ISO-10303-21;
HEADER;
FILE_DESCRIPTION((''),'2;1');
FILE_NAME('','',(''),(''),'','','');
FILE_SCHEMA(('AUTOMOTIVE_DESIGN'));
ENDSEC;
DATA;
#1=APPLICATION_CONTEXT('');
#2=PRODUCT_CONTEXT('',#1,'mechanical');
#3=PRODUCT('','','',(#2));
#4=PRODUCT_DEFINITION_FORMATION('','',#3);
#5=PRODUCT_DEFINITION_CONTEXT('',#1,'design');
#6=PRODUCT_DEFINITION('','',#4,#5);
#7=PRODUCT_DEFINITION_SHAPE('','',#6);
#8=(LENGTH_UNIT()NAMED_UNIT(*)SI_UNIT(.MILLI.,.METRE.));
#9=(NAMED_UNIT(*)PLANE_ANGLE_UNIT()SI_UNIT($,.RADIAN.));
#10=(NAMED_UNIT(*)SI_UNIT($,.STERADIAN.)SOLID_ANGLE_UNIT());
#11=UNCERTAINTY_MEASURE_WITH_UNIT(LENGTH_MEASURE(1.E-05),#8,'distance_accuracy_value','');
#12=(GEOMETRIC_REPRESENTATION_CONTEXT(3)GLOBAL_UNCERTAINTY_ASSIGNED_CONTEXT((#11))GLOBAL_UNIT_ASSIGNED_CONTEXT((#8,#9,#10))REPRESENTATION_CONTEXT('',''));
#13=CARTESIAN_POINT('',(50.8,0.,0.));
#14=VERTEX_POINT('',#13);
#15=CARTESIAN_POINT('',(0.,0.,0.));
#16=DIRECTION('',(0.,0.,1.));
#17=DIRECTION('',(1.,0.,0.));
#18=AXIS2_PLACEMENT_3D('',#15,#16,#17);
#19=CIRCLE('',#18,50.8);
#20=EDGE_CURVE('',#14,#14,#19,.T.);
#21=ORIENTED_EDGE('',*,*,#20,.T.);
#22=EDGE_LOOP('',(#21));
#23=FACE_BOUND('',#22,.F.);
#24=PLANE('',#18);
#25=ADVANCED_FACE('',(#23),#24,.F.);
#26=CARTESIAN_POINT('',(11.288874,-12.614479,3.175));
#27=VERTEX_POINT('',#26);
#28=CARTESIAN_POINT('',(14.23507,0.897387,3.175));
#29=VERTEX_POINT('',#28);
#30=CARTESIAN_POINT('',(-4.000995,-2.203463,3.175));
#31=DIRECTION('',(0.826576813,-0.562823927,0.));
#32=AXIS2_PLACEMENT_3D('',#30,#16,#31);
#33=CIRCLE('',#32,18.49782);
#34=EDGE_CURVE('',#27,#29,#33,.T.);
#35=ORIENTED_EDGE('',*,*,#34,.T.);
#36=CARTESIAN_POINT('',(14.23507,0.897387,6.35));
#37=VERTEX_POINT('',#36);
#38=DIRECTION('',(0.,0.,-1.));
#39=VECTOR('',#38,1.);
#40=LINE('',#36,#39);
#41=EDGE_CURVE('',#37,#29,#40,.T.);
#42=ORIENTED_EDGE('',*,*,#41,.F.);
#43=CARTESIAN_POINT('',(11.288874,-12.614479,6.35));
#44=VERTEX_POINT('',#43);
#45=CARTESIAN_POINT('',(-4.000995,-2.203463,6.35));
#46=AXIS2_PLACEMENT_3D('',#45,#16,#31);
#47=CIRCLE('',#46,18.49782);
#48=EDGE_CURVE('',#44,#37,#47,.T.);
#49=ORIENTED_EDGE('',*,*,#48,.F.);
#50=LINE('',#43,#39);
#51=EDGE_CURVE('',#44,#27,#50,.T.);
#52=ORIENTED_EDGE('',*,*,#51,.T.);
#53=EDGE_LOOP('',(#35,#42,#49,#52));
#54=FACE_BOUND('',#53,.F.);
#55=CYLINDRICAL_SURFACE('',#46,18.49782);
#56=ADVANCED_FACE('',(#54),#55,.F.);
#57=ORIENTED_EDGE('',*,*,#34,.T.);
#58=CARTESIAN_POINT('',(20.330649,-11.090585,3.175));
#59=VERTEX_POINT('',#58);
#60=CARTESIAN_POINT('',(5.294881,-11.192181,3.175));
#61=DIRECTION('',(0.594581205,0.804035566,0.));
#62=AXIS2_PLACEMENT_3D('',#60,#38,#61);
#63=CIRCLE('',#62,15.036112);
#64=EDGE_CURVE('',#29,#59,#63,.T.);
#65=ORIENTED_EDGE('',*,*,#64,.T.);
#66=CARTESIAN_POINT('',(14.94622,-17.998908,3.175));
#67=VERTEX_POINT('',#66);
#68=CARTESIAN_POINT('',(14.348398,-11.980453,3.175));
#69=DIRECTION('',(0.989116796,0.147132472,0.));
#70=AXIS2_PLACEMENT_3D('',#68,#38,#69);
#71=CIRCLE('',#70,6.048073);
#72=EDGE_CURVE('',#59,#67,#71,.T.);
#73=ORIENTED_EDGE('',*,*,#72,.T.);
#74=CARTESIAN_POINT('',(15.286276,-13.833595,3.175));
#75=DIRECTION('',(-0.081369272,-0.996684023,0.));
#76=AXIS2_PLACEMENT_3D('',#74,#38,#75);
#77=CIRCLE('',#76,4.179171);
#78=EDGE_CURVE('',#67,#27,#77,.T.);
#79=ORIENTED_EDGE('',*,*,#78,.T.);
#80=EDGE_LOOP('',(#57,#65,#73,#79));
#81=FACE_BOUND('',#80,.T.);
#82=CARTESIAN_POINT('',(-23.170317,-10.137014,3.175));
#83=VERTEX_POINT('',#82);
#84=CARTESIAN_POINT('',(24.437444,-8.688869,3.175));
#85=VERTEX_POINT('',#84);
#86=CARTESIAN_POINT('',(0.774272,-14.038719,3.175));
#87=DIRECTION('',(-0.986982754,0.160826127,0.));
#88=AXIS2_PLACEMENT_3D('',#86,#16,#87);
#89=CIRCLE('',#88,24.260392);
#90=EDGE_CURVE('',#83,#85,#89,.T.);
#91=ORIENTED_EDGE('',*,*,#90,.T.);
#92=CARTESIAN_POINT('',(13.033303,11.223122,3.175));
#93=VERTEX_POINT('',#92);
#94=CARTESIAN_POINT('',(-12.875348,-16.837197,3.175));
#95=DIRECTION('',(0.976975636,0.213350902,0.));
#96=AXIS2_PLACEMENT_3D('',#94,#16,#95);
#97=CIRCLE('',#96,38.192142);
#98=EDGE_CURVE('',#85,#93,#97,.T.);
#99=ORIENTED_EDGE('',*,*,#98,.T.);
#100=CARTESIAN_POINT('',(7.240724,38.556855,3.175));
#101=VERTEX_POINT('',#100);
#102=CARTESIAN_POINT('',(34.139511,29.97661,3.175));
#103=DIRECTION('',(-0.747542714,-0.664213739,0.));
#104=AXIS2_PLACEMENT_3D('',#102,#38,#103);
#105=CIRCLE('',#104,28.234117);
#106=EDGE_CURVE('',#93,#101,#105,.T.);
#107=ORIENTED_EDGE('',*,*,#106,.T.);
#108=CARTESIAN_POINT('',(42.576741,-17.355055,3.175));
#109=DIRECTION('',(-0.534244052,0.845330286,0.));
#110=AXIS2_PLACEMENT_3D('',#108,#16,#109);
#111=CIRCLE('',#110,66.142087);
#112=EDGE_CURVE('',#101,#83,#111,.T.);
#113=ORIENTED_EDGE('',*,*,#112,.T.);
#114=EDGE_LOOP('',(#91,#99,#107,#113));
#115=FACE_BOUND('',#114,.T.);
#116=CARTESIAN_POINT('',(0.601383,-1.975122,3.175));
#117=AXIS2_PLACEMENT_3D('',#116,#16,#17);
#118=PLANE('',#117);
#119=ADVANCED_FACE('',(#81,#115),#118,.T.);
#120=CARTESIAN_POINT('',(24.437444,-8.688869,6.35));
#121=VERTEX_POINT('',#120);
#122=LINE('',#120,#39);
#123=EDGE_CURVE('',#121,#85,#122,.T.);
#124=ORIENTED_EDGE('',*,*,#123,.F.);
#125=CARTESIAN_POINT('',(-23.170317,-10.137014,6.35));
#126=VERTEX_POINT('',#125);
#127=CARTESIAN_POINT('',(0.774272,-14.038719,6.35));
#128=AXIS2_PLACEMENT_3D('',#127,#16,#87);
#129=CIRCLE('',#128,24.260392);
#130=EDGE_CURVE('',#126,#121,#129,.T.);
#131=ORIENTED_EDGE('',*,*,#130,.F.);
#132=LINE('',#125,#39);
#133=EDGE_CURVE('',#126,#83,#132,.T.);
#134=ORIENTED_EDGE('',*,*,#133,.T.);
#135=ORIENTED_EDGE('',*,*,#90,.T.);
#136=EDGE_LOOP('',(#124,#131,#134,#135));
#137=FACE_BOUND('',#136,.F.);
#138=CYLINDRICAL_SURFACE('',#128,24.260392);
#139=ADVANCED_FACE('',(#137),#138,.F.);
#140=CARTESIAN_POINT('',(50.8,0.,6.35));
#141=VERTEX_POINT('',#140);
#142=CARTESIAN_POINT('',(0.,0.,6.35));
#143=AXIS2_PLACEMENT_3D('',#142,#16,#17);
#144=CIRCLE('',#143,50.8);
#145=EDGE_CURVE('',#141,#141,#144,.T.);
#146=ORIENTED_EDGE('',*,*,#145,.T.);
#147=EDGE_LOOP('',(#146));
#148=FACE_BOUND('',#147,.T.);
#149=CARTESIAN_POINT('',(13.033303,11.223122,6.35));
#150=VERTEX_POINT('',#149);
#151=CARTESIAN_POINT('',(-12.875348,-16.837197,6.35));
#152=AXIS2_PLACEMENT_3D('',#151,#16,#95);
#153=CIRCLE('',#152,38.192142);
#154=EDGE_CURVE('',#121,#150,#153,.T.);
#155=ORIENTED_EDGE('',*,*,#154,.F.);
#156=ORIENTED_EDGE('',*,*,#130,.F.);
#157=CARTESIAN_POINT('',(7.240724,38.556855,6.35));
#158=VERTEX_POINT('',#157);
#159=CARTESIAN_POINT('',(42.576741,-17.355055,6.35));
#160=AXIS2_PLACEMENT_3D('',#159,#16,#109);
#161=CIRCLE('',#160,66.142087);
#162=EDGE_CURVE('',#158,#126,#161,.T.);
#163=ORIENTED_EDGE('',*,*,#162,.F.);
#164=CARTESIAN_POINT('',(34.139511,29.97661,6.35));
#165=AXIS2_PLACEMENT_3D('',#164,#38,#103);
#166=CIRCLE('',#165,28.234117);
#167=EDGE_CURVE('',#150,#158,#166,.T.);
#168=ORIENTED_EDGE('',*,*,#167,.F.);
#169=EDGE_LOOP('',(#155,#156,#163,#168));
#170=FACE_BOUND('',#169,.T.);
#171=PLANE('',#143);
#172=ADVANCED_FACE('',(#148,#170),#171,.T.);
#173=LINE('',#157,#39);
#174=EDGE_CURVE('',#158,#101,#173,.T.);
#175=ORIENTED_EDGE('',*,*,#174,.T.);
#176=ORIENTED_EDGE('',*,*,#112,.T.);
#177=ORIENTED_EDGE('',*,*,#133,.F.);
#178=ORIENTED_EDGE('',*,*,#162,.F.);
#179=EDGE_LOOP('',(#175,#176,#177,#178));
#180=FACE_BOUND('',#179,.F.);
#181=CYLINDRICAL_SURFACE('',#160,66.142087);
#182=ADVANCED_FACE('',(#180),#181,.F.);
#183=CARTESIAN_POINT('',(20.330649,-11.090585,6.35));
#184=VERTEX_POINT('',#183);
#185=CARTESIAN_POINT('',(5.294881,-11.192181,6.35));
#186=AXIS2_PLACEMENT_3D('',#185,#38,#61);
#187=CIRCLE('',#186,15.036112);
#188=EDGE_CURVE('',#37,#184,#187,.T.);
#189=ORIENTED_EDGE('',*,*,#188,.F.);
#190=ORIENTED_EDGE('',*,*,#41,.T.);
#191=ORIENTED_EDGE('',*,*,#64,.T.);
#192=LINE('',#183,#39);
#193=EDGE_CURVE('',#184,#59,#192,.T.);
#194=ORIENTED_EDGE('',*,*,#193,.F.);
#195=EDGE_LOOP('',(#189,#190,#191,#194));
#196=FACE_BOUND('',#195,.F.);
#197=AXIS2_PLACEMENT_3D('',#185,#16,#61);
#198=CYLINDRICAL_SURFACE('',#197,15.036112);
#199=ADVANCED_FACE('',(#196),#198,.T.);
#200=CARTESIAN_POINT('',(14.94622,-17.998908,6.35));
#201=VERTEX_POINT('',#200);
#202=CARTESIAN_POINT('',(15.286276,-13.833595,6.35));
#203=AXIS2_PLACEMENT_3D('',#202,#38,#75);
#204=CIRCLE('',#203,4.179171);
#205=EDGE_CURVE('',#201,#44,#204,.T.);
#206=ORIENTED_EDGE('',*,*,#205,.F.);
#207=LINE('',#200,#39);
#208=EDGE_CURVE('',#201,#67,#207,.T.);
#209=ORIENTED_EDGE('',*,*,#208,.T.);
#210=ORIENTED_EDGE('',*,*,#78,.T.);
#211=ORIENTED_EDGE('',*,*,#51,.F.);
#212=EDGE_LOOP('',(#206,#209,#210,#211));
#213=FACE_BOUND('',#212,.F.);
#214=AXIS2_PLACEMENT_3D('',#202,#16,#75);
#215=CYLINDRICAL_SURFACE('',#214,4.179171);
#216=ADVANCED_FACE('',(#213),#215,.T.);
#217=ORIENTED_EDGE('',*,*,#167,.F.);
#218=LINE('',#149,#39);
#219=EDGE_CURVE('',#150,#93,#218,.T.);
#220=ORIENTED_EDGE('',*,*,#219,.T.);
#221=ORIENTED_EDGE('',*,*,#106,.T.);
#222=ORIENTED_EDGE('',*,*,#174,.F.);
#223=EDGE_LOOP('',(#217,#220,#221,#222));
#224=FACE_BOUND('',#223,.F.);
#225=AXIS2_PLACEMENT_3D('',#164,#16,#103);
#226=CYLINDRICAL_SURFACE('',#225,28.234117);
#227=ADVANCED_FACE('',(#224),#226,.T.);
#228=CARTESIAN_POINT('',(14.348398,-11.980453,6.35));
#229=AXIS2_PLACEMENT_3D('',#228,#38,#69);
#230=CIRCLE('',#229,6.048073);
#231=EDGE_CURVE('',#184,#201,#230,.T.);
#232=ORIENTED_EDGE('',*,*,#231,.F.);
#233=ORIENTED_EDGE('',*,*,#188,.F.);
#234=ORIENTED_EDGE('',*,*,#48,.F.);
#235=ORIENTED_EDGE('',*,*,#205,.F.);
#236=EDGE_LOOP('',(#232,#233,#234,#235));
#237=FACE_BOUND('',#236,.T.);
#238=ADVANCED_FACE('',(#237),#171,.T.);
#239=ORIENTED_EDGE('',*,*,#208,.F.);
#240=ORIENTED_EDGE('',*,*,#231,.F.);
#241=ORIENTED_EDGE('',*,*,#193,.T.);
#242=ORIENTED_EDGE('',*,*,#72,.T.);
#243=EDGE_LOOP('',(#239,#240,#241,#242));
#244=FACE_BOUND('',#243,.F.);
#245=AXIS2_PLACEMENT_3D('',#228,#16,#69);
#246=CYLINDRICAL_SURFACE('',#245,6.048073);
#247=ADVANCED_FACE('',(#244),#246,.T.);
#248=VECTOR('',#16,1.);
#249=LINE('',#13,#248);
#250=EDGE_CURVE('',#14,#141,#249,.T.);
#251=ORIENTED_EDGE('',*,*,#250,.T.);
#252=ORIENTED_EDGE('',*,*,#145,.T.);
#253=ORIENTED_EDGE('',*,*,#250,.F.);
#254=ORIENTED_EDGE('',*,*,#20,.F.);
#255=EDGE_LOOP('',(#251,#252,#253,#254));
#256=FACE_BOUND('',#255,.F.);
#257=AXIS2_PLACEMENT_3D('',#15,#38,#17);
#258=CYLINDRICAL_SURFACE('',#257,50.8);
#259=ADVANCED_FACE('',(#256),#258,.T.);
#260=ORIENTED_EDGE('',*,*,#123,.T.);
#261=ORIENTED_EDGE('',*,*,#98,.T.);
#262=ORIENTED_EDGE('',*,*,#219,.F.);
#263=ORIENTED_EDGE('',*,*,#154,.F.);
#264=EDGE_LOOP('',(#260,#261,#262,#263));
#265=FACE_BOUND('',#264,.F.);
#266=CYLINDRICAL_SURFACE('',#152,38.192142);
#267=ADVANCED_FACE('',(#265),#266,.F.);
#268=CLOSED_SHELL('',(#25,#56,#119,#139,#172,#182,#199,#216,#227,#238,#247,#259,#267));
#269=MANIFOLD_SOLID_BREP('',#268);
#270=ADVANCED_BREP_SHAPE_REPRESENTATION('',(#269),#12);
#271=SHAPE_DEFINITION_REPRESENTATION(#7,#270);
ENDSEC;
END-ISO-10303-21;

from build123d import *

# Parameters (mm, degrees)
F0_R     = 50.8
F1_DEPTH = 6.35
F3_DEPTH = 3.175


with BuildPart() as f1:
    # F0 (on Top) → F1 (new body)
    with BuildSketch(Plane.XY):
        Circle(F0_R)
    extrude(amount=F1_DEPTH)

    # F2 (on face) → F3 (cut)
    with BuildSketch(Plane.XY.offset(6.35)):
        with BuildLine():
            ThreePointArc((7.240724, 38.556855), (-13.52335, 17.681434), (-23.170317, -10.137014))
            ThreePointArc((-23.170317, -10.137014), (1.51189, -38.287895), (24.437444, -8.688869))
            ThreePointArc((24.437444, -8.688869), (20.26616, 2.14385), (13.033303, 11.223122))
            ThreePointArc((13.033303, 11.223122), (6.51881, 24.123217), (7.240724, 38.556855))
        make_face()
        with BuildLine():
            ThreePointArc((14.23507, 0.897387), (18.697847, -4.377114), (20.330649, -11.090585))
            ThreePointArc((20.330649, -11.090585), (19.118678, -15.698466), (14.94622, -17.998908))
            ThreePointArc((14.94622, -17.998908), (11.829196, -16.1818), (11.288874, -12.614479))
            ThreePointArc((11.288874, -12.614479), (14.072181, -6.144231), (14.23507, 0.897387))
        make_face(mode=Mode.SUBTRACT)
    extrude(amount=-F3_DEPTH, mode=Mode.SUBTRACT)


solid = f1.part
